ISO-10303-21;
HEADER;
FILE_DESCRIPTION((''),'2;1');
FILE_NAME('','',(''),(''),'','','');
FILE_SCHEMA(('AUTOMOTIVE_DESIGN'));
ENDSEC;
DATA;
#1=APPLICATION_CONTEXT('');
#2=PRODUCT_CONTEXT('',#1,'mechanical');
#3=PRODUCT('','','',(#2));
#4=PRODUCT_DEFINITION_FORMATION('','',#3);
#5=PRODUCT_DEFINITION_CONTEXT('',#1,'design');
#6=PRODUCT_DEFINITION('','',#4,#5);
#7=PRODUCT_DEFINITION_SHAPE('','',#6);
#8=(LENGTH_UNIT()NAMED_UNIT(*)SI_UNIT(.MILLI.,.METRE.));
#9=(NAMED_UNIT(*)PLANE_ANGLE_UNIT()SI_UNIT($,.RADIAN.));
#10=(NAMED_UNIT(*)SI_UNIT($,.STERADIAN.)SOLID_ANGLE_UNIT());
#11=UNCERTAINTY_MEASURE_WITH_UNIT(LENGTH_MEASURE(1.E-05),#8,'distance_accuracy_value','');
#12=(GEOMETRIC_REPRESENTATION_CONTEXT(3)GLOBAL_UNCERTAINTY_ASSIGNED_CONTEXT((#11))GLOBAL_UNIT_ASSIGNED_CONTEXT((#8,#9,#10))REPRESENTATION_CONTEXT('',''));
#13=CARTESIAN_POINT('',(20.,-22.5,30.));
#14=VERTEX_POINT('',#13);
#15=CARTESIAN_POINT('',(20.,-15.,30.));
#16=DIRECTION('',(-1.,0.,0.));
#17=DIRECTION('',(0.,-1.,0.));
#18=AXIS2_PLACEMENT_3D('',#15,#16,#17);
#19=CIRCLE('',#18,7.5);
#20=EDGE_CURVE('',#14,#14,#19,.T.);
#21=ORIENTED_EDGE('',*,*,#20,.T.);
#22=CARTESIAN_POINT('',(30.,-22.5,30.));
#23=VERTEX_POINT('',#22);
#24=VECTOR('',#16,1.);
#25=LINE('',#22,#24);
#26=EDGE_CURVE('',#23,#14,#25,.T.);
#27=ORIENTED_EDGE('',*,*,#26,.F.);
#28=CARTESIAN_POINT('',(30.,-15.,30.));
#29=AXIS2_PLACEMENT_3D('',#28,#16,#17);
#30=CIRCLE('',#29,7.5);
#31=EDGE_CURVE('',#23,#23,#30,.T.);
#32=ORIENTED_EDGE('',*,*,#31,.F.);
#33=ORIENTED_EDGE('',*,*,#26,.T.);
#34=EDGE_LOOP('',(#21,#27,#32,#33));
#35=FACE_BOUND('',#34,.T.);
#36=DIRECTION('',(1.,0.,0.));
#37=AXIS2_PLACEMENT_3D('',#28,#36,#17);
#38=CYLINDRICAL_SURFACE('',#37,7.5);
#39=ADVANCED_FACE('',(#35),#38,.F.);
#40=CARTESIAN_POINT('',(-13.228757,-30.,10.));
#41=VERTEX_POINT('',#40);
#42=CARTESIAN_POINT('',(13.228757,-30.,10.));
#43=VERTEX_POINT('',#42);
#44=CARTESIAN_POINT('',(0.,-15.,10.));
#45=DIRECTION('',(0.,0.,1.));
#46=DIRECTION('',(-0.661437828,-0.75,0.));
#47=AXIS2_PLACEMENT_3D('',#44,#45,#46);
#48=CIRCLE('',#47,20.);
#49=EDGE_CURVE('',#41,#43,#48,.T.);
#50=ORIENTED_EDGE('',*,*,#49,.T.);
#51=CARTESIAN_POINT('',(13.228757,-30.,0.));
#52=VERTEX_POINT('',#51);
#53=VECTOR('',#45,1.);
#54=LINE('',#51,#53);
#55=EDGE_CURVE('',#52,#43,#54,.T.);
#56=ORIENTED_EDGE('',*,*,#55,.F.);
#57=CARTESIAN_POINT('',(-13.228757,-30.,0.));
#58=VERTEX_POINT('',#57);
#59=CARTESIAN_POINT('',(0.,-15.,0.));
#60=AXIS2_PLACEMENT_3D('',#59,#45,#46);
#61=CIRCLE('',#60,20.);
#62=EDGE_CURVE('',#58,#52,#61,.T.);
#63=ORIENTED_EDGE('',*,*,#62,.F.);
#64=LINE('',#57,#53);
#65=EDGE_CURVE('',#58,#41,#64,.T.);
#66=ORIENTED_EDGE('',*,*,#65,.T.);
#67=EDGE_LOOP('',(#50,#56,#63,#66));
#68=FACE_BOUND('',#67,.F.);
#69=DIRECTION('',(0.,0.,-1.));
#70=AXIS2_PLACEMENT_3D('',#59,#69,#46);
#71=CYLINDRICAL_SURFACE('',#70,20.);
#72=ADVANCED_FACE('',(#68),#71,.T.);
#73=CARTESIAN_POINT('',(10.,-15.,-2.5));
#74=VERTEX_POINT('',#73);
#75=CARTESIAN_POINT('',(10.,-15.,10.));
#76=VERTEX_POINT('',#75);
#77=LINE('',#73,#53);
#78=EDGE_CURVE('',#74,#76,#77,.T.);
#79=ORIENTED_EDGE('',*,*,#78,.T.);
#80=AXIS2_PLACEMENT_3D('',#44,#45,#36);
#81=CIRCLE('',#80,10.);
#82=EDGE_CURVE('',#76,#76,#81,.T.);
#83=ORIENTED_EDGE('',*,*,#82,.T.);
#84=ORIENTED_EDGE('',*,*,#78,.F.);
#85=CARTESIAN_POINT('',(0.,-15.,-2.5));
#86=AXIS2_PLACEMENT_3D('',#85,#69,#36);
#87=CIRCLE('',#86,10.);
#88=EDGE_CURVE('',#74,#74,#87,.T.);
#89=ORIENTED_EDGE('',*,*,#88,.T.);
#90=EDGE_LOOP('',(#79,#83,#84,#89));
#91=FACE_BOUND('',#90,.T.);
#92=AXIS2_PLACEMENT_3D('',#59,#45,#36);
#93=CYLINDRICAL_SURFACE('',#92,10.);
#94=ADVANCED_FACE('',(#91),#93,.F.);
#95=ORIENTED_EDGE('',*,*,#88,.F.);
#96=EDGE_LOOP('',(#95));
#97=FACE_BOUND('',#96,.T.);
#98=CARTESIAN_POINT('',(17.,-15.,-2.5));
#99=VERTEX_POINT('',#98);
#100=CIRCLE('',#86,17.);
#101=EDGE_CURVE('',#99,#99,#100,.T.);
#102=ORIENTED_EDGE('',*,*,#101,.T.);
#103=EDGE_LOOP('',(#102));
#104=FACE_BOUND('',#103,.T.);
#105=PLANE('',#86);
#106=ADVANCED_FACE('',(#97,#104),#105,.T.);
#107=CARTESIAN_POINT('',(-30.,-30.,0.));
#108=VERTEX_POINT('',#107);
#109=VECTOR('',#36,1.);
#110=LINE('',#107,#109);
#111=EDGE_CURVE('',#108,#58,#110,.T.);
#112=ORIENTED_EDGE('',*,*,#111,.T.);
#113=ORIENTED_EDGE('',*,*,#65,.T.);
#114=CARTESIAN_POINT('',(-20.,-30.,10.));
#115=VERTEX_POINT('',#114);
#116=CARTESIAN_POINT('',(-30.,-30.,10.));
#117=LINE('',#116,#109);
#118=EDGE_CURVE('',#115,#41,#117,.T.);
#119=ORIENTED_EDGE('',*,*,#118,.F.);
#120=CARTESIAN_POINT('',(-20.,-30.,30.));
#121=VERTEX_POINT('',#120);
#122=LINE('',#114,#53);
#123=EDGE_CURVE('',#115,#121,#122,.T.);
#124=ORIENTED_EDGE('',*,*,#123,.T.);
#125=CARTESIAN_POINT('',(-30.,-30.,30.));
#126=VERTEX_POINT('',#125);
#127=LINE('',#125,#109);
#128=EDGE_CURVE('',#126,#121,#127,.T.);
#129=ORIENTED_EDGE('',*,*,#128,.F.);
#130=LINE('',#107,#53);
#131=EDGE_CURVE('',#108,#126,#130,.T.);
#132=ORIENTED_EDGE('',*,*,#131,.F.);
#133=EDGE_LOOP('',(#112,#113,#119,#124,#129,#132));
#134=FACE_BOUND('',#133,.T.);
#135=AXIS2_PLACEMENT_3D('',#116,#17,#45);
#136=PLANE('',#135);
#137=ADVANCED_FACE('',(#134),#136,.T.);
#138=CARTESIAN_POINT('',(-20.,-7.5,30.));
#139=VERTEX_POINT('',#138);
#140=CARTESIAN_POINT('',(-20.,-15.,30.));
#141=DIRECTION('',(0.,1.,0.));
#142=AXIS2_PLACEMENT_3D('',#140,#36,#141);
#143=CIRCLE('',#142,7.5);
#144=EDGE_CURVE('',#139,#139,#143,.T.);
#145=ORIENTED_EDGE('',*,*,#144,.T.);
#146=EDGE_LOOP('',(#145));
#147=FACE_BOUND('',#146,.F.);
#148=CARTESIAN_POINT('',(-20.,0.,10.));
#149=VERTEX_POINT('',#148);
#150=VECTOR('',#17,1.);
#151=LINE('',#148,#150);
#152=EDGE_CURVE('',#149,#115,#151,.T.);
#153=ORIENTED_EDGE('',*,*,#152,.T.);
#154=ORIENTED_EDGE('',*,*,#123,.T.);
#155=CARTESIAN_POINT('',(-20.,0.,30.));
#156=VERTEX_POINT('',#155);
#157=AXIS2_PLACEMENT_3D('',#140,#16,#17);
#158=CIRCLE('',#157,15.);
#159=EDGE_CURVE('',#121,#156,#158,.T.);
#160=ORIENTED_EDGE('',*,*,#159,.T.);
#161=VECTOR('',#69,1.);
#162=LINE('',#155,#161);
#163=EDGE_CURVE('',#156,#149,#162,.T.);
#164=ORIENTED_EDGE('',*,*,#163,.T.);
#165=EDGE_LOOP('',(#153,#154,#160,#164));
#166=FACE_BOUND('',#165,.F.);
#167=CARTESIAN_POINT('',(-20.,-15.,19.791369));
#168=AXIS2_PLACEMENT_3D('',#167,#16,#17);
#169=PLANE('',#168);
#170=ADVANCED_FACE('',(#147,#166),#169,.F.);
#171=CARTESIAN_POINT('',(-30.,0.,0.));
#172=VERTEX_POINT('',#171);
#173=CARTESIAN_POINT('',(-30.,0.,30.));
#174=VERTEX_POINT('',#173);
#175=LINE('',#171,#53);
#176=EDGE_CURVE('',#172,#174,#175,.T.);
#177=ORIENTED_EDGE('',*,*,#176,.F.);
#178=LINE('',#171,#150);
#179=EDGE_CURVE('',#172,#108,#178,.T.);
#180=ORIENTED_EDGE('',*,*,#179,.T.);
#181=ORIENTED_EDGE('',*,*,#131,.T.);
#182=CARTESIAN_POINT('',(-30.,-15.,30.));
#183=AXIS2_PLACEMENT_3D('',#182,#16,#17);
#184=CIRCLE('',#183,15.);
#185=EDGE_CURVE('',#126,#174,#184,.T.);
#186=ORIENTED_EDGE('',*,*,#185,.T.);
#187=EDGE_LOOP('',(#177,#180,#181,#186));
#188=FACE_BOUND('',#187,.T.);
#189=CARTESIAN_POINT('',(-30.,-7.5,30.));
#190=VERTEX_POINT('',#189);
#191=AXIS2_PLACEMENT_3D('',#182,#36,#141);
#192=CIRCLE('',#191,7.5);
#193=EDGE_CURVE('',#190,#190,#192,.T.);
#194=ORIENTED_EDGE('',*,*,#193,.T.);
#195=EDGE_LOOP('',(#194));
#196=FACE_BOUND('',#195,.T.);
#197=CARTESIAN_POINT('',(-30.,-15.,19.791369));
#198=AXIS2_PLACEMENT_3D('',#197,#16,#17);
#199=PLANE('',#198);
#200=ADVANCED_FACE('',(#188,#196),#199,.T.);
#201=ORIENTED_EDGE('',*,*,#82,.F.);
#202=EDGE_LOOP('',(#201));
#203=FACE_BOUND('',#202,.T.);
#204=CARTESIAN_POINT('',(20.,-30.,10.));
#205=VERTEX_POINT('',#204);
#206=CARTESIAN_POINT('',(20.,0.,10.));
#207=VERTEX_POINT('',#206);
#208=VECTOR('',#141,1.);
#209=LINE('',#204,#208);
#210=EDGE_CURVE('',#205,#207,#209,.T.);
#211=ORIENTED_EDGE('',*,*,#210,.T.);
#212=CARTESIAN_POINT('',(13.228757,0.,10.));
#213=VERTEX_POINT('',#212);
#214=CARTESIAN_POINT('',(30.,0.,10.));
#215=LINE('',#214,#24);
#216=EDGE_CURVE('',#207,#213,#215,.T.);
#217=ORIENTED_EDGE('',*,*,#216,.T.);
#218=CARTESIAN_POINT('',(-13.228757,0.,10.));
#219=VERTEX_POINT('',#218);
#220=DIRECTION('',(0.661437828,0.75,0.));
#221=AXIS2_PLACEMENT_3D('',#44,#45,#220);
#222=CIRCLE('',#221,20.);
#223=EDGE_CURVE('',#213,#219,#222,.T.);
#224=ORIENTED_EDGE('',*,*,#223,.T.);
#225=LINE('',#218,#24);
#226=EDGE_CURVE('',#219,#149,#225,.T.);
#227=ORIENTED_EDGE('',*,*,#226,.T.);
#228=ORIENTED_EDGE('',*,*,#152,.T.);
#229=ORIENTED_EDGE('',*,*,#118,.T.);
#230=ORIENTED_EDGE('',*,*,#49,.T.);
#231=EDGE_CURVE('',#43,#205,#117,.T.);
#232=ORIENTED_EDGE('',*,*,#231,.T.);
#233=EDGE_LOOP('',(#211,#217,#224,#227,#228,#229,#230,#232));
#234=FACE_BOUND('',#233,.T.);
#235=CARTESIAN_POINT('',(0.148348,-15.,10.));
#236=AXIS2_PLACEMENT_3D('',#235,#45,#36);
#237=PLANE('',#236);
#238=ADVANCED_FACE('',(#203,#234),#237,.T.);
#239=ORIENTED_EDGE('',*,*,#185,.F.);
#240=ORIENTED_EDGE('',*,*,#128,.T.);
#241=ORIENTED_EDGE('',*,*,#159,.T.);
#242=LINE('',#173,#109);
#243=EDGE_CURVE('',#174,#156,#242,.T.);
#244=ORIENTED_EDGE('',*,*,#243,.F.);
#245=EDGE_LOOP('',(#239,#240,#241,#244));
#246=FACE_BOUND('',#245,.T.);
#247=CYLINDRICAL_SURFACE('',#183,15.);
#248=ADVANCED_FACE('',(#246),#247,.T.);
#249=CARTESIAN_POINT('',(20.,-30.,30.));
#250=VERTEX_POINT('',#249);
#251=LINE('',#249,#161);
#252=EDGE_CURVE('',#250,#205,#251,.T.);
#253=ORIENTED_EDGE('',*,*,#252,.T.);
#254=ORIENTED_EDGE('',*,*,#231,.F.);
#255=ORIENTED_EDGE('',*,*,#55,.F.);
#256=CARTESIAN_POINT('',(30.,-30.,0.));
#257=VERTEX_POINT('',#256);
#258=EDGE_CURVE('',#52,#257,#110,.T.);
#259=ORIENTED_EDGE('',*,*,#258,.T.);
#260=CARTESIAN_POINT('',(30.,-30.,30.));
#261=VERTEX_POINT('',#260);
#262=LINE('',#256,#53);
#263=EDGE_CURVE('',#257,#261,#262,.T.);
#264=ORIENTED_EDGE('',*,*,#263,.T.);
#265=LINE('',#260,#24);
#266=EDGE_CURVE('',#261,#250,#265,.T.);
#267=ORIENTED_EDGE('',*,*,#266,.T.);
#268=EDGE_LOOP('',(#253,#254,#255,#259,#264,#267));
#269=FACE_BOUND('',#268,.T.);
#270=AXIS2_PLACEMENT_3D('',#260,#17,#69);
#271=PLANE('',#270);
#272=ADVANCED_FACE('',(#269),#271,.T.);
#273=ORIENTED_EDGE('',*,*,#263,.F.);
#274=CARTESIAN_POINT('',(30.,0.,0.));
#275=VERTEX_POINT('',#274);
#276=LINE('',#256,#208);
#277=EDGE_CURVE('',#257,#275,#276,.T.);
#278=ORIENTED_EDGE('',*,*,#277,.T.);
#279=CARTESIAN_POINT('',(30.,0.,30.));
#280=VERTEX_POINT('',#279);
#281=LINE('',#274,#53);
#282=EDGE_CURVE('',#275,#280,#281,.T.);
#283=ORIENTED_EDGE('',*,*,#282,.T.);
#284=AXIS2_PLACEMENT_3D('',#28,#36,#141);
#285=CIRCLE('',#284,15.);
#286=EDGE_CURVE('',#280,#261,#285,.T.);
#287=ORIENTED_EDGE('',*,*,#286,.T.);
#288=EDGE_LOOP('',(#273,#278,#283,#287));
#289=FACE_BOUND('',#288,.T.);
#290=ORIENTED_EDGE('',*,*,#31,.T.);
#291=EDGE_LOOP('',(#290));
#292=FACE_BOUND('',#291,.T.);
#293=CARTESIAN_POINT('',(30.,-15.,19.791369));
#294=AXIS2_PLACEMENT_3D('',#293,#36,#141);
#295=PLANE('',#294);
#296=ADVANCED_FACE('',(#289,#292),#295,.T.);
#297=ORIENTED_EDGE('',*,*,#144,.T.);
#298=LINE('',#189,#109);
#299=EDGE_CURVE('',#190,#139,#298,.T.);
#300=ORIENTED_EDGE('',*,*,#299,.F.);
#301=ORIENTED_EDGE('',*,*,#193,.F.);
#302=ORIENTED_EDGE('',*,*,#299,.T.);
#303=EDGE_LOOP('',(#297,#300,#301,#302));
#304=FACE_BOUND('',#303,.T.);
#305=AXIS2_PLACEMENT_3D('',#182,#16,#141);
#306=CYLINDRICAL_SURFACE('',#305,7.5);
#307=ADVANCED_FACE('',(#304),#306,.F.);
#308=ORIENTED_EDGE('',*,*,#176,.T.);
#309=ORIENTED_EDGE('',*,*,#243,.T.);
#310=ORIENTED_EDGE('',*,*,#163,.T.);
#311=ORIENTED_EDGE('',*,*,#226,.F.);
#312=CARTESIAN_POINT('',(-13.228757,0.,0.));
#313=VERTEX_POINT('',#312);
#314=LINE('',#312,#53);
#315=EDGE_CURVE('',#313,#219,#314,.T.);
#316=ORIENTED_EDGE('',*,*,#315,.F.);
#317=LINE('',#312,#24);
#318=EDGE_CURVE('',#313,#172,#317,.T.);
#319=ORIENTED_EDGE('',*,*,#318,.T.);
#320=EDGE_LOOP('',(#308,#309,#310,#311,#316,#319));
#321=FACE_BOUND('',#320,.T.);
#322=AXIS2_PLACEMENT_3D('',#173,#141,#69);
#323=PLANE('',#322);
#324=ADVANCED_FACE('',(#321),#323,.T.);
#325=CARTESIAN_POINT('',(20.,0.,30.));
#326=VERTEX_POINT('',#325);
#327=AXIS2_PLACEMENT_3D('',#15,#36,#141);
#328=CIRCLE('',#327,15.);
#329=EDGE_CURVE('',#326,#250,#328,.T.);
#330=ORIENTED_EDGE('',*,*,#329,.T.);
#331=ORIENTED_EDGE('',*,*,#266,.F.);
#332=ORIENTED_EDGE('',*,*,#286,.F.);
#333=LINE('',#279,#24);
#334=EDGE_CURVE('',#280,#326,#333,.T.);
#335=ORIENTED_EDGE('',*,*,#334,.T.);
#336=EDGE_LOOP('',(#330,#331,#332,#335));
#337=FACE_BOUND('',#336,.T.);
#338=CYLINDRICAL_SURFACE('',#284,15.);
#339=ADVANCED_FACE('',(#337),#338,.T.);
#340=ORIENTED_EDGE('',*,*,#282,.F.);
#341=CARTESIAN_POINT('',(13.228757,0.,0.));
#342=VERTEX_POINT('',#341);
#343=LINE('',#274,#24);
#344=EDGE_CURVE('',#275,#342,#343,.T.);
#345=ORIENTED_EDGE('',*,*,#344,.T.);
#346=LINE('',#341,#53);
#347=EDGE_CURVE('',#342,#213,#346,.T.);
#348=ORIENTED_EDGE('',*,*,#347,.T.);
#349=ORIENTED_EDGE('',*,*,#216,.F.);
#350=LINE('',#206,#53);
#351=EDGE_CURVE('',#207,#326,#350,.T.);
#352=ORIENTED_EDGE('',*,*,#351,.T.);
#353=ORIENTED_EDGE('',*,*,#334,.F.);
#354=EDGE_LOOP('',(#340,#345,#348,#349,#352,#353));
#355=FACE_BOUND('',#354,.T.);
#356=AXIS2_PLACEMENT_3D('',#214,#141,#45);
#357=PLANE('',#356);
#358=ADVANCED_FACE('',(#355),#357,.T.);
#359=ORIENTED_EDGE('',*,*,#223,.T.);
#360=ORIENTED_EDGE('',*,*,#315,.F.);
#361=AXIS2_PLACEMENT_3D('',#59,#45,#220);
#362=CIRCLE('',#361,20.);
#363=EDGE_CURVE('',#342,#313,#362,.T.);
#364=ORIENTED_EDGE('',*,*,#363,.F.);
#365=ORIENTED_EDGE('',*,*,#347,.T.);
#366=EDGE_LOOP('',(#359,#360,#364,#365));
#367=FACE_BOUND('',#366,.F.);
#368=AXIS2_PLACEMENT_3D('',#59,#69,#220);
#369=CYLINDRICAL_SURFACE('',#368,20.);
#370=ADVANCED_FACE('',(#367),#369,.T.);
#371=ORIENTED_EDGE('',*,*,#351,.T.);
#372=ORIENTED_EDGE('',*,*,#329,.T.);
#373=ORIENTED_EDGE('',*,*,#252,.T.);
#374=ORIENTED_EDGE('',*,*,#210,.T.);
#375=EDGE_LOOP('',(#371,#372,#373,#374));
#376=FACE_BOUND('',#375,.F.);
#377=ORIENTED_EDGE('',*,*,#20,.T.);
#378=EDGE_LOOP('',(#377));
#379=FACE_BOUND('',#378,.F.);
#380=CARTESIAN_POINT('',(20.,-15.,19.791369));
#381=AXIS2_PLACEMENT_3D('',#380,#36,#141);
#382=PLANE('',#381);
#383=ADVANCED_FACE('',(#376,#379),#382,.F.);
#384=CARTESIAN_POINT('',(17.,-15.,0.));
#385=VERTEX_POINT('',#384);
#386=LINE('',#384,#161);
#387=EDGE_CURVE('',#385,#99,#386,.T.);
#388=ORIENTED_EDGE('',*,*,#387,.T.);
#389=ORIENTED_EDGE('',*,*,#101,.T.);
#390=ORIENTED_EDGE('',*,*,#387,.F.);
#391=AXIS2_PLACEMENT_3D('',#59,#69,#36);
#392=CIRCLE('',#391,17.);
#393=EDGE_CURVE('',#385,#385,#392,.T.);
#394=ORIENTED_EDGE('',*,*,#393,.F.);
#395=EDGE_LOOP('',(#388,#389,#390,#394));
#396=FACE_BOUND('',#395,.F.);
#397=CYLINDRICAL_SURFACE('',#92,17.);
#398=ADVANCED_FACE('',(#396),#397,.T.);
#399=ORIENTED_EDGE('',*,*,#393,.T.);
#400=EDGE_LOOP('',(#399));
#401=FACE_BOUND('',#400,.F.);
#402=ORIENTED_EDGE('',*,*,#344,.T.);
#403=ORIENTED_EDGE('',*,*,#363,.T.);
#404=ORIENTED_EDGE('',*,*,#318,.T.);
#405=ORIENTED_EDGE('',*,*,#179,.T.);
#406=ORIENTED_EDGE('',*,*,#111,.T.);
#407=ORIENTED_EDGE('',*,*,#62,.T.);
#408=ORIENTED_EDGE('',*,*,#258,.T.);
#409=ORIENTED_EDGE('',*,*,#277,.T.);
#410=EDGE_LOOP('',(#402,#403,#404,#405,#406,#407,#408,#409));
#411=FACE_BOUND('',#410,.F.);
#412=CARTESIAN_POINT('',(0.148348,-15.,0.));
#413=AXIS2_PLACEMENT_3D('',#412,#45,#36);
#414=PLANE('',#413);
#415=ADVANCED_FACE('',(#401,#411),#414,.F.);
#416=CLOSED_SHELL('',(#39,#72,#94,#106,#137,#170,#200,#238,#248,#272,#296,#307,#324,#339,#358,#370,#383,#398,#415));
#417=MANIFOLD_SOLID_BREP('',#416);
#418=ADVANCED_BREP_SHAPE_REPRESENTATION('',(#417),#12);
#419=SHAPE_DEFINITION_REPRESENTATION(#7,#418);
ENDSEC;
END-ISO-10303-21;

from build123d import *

# Parameters (mm, degrees)
F0_R     = 10
F1_DEPTH = 10
F3_DEPTH = 10
F5_DEPTH = 10
F6_R     = 17
F6_R_2   = 10
F7_DEPTH = 2.5


with BuildPart() as f1:
    # F0 (on Top) → F1 (new body)
    with BuildSketch(Plane.XY):
        with BuildLine():
            Line((13.2287565553, 0), (0, 0))
            Line((0, 0), (-13.2287565553, 0))
            ThreePointArc((-13.2287565553, 0), (-20, -15), (-13.2287565553, -30))
            Line((-13.2287565553, -30), (13.2287565553, -30))
            ThreePointArc((13.2287565553, -30), (18.2287565553, -23.2287565553), (20, -15))
            ThreePointArc((20, -15), (18.2287565553, -6.7712434447), (13.2287565553, 0))
        make_face()
        with Locations((0, -15)):
            Circle(F0_R, mode=Mode.SUBTRACT)
        with BuildLine():
            Line((-13.2287565553, 0), (0, 0))
            Line((0, 0), (13.2287565553, 0))
            ThreePointArc((13.2287565553, 0), (0, 5), (-13.2287565553, 0))
        make_face()
        with BuildLine():
            ThreePointArc((-13.2287565553, -30), (-20, -15), (-13.2287565553, 0))
            Line((-13.2287565553, 0), (-30, 0))
            Line((-30, 0), (-30, -30))
            Line((-30, -30), (-13.2287565553, -30))
        make_face()
        with BuildLine():
            Line((30, 0), (13.2287565553, 0))
            ThreePointArc((13.2287565553, 0), (18.2287565553, -6.7712434447), (20, -15))
            ThreePointArc((20, -15), (18.2287565553, -23.2287565553), (13.2287565553, -30))
            Line((13.2287565553, -30), (30, -30))
            Line((30, -30), (30, 0))
        make_face()
        with BuildLine():
            Line((13.2287565553, -30), (-13.2287565553, -30))
            ThreePointArc((-13.2287565553, -30), (0, -35), (13.2287565553, -30))
        make_face()
    extrude(amount=F1_DEPTH)

    # F2 (on face) → F3 (join)
    with BuildSketch(Plane.YZ.offset(30)):
        with BuildLine():
            Line((-30, 30), (-30, 10))
            Line((-30, 10), (0, 10))
            Line((0, 10), (0, 30))
            Line((0, 30), (-7.5, 30))
            ThreePointArc((-7.5, 30), (-15, 22.5), (-22.5, 30))
            Line((-22.5, 30), (-30, 30))
        make_face()
        with BuildLine():
            ThreePointArc((0, 30), (-15, 45), (-30, 30))
            Line((-30, 30), (-22.5, 30))
            ThreePointArc((-22.5, 30), (-15, 37.5), (-7.5, 30))
            Line((-7.5, 30), (0, 30))
        make_face()
    extrude(amount=-F3_DEPTH)

    # F4 (on face) → F5 (join)
    with BuildSketch(Plane(origin=(-30, 0, 0), x_dir=(0, -1, 0), z_dir=(-1, 0, 0))):
        with BuildLine():
            Line((0, 30), (0, 10))
            Line((0, 10), (30, 10))
            Line((30, 10), (30, 30))
            Line((30, 30), (22.5, 30))
            ThreePointArc((22.5, 30), (15, 22.5), (7.5, 30))
            Line((7.5, 30), (0, 30))
        make_face()
        with BuildLine():
            ThreePointArc((30, 30), (15, 45), (0, 30))
            Line((0, 30), (7.5, 30))
            ThreePointArc((7.5, 30), (15, 37.5), (22.5, 30))
            Line((22.5, 30), (30, 30))
        make_face()
    extrude(amount=-F5_DEPTH)

    # F6 (on face) → F7 (join)
    with BuildSketch(Plane(origin=(0, 0, 0), x_dir=(1, 0, 0), z_dir=(0, 0, -1))):
        with Locations((0, 15)):
            Circle(F6_R)
        with Locations((0, 15)):
            Circle(F6_R_2, mode=Mode.SUBTRACT)
    extrude(amount=F7_DEPTH)


solid = f1.part
